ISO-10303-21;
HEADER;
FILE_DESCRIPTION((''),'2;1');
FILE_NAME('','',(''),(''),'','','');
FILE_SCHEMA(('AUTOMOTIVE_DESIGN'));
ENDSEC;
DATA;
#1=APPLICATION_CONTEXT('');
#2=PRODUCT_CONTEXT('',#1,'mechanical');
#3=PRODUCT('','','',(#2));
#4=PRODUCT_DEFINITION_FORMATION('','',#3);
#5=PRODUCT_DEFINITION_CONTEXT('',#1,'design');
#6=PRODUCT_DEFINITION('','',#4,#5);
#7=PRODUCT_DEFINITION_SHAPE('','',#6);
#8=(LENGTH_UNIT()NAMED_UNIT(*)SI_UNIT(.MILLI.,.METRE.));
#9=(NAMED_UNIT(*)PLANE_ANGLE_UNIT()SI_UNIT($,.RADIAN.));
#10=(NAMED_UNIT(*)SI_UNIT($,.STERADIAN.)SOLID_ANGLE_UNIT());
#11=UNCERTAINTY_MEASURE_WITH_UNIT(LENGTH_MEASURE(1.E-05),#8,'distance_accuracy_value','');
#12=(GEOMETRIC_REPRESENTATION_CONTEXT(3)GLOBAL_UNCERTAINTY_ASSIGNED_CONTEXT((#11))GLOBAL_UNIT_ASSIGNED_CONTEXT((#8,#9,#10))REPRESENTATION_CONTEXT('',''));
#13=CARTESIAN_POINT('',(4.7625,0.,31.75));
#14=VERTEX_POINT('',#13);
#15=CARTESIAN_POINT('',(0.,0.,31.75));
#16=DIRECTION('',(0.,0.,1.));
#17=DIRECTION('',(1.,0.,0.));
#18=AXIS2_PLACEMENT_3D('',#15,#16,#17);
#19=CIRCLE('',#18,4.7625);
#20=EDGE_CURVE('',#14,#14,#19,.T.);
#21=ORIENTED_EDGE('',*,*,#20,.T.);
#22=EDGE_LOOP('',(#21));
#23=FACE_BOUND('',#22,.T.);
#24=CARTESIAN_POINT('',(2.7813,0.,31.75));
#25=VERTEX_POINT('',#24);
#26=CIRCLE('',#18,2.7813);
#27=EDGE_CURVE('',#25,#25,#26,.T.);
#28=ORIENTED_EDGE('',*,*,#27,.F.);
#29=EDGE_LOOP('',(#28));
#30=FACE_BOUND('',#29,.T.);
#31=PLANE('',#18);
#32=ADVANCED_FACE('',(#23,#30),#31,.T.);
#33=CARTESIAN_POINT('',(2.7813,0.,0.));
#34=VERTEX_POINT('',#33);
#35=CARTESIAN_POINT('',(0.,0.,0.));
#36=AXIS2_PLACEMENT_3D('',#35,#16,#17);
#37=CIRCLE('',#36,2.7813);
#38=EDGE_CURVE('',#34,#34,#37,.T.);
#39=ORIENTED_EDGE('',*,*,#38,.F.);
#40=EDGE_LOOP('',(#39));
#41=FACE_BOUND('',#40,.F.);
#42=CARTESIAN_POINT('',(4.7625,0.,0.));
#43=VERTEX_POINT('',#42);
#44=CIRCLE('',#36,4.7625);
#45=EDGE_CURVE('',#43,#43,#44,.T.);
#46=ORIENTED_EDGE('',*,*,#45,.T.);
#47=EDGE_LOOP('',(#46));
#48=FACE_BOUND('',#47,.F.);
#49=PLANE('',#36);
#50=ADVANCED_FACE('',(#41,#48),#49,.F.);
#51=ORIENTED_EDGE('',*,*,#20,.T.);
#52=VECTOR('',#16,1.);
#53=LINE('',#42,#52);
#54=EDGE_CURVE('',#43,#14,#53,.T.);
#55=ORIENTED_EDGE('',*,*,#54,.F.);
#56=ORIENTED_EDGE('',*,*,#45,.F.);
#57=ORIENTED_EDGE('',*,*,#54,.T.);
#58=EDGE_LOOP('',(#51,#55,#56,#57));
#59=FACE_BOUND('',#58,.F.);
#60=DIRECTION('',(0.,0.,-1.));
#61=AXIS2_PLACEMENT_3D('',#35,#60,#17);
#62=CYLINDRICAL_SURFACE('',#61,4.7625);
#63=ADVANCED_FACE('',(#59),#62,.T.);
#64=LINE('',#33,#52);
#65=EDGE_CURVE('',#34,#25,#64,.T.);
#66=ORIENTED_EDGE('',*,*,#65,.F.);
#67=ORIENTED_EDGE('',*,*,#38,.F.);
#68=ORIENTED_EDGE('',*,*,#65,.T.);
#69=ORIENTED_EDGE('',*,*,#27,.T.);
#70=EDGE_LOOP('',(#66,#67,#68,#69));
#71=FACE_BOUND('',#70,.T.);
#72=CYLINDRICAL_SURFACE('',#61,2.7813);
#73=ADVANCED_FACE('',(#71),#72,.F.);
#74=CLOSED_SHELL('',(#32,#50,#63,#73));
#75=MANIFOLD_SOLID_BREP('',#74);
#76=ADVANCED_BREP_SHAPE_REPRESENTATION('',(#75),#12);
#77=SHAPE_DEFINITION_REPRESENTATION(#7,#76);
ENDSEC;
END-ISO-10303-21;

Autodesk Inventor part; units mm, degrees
ref_plane "YZ Plane" through (0, 0, 0) normal (1, 0, 0) x (0, 1, 0)
ref_plane "XZ Plane" through (0, 0, 0) normal (0, 1, 0) x (-1, 0, 0)
ref_plane "XY Plane" through (0, 0, 0) normal (0, 0, 1) x (1, 0, 0)
sketch "Sketch1" plane through (0, 0, 0) normal (0, 0, 1) x (1, 0, 0)
  circle A0 centre (0, 0) radius 4.7625
  circle A1 centre (0, 0) radius 2.7813
  dimension "d0" = 9.525
  dimension "d1" = 5.5626
extrude "Extrusion1" add sketch "Sketch1" along normal blind 31.75
properties part number "AS38-12-80" material "Aluminum 6061"
